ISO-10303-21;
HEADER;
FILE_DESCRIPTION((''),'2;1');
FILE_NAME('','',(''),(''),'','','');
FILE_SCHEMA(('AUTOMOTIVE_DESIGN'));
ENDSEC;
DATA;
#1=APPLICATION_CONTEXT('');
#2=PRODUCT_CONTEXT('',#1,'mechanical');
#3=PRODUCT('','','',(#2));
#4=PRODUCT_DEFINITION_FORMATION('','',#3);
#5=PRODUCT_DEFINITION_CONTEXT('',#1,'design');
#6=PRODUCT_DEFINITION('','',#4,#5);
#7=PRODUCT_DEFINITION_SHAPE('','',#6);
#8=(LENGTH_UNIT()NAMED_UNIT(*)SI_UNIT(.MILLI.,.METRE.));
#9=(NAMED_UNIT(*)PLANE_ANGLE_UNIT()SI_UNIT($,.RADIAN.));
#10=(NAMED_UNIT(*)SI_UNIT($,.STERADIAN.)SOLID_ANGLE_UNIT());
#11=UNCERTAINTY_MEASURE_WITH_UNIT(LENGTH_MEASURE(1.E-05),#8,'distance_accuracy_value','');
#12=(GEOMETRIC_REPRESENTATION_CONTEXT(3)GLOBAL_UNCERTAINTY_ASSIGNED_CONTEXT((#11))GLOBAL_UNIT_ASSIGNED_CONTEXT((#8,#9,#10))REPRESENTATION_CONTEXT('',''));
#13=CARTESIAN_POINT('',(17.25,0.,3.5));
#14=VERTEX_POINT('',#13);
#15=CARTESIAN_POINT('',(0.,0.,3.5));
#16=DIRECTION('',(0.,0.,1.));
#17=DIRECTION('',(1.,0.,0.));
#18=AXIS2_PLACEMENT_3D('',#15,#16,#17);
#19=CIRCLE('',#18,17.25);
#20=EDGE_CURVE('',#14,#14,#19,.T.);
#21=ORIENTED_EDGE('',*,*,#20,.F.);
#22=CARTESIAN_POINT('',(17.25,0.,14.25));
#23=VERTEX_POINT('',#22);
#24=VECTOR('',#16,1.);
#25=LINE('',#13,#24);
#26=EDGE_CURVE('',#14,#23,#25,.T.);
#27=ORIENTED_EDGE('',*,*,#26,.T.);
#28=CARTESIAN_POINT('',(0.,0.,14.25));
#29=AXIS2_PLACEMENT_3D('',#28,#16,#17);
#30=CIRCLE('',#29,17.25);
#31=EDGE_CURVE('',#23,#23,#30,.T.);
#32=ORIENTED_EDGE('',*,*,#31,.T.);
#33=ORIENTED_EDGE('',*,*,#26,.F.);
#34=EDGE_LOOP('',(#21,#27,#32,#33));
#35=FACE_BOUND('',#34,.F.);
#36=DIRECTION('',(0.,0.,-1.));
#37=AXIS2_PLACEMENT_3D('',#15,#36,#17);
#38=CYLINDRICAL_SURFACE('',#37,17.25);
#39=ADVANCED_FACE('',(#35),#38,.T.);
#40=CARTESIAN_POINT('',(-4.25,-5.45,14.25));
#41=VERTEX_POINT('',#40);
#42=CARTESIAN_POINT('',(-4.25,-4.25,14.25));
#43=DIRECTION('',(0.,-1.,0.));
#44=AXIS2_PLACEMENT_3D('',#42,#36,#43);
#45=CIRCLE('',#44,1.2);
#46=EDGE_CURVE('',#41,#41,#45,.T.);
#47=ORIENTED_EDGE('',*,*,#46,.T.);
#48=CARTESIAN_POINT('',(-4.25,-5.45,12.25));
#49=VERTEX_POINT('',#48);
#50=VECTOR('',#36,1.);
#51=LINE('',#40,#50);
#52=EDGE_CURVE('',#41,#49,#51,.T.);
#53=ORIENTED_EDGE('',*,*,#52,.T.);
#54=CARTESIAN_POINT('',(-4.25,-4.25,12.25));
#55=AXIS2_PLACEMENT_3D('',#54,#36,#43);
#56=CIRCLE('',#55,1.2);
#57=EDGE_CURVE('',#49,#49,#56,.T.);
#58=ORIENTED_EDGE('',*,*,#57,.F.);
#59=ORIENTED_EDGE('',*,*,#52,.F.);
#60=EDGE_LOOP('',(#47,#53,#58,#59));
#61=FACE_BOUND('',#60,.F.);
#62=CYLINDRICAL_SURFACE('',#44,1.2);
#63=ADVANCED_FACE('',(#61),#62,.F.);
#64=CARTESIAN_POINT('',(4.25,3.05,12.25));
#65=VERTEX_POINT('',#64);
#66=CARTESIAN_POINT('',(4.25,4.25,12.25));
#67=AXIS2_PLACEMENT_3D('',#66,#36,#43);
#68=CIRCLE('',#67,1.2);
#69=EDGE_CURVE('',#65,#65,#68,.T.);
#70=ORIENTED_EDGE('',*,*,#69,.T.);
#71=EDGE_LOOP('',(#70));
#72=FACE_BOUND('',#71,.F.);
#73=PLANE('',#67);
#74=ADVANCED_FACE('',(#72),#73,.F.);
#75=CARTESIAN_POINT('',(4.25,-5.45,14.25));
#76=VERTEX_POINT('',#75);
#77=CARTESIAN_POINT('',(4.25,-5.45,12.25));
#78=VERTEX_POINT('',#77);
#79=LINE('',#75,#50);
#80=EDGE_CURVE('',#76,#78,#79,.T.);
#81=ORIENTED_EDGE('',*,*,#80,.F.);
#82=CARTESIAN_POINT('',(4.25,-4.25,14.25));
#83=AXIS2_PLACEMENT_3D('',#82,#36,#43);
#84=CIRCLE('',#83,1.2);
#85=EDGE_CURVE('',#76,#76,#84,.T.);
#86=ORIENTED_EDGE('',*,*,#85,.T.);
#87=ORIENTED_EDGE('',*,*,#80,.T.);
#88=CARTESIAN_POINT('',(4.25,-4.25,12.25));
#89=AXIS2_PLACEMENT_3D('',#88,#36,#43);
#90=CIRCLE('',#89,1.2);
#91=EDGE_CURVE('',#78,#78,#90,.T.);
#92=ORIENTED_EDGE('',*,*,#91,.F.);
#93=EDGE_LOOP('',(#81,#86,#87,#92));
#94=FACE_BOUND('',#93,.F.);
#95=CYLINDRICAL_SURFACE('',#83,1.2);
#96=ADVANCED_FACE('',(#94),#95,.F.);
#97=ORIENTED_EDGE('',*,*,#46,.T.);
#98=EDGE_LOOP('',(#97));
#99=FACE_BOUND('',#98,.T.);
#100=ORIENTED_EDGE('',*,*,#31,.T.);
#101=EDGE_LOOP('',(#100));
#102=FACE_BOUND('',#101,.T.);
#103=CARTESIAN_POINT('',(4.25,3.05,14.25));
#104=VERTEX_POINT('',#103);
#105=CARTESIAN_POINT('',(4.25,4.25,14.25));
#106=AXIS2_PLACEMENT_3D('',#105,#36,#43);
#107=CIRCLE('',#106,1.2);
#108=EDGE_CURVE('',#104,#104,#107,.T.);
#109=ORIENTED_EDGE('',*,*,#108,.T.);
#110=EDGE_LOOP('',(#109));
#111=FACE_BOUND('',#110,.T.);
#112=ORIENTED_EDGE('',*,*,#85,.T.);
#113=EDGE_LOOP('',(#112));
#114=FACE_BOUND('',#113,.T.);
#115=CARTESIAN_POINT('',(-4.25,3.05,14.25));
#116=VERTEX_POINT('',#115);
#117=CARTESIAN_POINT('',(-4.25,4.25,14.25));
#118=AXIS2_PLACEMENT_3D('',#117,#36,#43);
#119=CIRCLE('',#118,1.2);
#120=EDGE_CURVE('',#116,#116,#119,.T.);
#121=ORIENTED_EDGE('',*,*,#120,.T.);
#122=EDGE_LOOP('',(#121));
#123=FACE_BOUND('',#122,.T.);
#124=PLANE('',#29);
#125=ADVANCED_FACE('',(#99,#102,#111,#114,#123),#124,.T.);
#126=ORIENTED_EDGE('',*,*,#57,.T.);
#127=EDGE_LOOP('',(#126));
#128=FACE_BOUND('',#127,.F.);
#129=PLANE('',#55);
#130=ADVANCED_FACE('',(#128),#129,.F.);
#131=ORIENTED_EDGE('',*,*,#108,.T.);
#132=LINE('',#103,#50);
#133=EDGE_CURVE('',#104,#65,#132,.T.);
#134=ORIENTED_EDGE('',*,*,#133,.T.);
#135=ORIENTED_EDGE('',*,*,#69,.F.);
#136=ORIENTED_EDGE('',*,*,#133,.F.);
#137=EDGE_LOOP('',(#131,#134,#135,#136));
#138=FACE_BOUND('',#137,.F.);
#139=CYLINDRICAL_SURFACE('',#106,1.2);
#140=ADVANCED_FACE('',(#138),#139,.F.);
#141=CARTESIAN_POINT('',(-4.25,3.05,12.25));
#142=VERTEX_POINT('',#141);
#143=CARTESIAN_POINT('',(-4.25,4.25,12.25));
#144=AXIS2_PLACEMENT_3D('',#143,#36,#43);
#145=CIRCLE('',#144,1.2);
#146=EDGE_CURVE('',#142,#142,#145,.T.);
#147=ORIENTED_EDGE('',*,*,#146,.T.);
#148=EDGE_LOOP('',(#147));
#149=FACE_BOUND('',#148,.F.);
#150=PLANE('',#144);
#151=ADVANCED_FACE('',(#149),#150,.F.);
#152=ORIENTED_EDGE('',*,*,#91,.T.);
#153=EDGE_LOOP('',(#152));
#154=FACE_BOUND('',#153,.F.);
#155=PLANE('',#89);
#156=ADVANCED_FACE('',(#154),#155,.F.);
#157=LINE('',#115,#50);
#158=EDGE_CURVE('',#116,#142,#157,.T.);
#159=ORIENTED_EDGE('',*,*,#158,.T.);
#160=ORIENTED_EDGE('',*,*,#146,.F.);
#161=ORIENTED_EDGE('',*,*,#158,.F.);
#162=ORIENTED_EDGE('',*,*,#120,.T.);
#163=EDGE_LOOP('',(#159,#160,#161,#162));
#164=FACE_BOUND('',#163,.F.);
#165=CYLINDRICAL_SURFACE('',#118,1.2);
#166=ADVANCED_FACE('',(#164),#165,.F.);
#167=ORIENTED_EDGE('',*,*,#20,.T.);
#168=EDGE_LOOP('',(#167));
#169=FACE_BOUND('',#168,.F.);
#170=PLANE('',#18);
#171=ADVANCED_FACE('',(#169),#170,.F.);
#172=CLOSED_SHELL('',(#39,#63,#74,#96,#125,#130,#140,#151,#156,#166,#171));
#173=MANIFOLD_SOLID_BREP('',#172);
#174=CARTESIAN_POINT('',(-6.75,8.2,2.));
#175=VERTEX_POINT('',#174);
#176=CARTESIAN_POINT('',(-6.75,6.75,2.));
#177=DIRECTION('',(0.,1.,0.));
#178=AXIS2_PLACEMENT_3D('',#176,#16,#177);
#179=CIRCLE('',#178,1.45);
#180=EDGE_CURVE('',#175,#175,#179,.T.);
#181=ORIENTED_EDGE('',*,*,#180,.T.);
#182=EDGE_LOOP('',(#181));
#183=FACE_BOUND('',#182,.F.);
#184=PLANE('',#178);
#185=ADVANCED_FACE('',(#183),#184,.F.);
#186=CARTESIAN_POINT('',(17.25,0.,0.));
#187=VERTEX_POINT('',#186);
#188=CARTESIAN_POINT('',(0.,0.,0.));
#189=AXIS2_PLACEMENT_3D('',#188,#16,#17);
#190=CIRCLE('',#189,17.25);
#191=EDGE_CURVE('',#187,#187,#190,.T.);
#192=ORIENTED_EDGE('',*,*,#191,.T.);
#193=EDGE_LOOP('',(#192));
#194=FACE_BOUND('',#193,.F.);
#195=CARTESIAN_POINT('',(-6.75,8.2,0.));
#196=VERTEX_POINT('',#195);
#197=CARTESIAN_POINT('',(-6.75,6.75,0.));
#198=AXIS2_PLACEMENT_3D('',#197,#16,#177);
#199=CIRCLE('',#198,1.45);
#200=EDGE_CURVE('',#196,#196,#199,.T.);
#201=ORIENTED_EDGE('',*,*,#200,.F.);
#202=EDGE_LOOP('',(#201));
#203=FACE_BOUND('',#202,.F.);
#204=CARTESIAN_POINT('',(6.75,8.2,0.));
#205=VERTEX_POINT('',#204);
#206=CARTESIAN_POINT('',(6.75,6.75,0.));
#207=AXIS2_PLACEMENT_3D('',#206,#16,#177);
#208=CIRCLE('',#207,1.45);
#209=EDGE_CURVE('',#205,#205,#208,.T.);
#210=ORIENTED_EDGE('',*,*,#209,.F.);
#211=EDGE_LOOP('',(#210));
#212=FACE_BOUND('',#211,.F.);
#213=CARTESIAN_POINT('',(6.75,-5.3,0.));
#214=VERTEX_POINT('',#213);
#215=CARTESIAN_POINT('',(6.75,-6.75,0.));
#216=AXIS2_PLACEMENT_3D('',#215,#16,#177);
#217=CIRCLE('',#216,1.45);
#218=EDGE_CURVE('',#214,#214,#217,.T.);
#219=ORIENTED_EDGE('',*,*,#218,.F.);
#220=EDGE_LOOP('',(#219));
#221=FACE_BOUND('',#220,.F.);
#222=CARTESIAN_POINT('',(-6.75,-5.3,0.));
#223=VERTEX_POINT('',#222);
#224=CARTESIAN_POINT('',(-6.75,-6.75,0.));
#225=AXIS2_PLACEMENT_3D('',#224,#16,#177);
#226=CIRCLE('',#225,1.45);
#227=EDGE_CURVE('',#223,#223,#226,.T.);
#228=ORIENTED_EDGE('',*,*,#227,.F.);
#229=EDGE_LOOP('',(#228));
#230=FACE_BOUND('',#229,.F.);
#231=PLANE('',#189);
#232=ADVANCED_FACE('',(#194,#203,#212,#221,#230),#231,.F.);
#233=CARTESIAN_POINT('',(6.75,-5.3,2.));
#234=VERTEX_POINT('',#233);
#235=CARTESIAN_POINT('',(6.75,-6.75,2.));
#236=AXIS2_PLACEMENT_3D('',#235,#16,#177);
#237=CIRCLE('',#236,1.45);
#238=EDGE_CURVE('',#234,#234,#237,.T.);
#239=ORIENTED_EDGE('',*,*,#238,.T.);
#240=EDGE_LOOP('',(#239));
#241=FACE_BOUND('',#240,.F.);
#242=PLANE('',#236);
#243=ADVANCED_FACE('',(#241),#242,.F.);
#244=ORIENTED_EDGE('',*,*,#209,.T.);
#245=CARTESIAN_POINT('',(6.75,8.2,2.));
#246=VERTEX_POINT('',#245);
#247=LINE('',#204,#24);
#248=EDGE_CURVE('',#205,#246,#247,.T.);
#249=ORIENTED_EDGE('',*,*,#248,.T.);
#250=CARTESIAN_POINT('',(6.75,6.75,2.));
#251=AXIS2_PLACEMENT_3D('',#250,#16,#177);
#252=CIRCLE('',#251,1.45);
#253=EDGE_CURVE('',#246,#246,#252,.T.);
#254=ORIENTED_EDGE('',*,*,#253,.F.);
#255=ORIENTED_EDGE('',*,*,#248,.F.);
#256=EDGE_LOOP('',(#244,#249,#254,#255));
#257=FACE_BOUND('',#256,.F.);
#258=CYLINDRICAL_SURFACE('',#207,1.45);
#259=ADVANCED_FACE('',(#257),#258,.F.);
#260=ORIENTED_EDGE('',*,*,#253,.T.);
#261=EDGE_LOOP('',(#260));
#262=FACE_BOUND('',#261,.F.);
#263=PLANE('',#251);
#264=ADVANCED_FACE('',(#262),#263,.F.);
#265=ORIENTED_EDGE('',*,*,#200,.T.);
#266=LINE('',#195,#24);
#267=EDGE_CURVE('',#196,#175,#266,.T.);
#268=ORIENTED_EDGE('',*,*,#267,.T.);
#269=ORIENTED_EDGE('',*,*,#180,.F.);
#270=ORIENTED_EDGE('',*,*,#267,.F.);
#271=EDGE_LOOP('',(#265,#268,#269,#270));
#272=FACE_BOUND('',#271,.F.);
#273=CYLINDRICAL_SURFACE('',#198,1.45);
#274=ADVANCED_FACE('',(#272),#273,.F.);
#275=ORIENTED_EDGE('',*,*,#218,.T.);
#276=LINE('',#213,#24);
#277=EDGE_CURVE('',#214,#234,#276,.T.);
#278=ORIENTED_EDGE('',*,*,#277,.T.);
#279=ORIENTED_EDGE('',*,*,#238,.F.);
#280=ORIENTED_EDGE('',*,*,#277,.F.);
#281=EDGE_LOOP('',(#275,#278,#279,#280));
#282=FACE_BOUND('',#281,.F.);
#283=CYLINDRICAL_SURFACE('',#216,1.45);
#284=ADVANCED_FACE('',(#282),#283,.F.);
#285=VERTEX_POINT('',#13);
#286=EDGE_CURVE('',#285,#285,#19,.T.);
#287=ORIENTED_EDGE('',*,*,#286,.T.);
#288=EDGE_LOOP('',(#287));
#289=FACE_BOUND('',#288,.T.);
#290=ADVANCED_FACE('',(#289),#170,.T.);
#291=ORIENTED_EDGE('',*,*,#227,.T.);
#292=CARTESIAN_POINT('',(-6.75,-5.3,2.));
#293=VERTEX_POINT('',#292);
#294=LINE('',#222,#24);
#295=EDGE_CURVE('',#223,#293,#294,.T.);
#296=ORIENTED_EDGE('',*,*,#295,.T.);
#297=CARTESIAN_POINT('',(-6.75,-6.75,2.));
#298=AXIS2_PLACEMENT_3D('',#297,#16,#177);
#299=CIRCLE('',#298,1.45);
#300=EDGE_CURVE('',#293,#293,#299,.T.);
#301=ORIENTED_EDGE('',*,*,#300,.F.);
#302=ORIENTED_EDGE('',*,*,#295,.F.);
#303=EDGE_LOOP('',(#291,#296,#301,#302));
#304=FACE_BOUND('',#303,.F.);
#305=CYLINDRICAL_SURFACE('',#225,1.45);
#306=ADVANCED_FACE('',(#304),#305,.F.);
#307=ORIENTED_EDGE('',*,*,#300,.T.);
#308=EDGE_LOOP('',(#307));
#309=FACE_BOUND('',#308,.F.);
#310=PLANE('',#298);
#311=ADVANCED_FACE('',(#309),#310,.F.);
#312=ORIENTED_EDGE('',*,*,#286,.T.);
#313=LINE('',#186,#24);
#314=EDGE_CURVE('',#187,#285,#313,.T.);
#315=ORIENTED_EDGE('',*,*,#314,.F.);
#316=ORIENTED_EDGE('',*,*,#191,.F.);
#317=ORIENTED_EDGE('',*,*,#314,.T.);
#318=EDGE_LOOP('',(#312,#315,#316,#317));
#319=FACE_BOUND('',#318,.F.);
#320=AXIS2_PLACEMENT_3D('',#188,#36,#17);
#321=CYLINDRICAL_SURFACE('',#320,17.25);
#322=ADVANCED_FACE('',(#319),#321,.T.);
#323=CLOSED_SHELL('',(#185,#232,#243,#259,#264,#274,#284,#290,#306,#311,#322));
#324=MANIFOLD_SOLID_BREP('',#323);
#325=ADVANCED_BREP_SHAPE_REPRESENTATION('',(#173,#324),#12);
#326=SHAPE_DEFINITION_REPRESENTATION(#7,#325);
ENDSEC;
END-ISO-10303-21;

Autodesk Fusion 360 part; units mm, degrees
sketch "Sketch1" plane through (0, 0, 0) normal (0, 0, 1) x (1, 0, 0)
  circle A0 centre (0, 0) radius 17.25
  line L0 (6.75, -6.75) -> (-6.75, -6.75) construction
  line L1 (-6.75, -6.75) -> (-6.75, 6.75) construction
  line L2 (-6.75, 6.75) -> (6.75, 6.75) construction
  line L3 (6.75, 6.75) -> (6.75, -6.75) construction
  line L4 (6.75, -6.75) -> (-6.75, 6.75) construction
  line L5 (-6.75, -6.75) -> (6.75, 6.75) construction
  dimension "d1" = 34.5
  dimension "d2" = 13.5
extrude "Extrude1" add sketch "Sketch1" along normal blind 3.5 makes body 1
extrude "Extrude2" add 1 faces at (4.4063, 6.4628, 3.5) along direction (0, 0, 1) blind 10.75 separate body on bodies 1 makes body 2
hole "Hole1" at (-6.75, -6.75, 0) at (6.75, -6.75, 0) at (6.75, 6.75, 0) at (-6.75, 6.75, 0) direction (0, 0, 1) diameter 2.9 depth 2 tip angle 180 bodies 1
sketch "Sketch2" plane through (0, 0, 14.25) normal (0, 0, 1) x (-1, 0, 0)
  circle A0 centre (0, 0) radius 17.25
  line L0 (-4.25, 4.25) -> (4.25, 4.25) construction
  line L1 (4.25, 4.25) -> (4.25, -4.25) construction
  line L2 (4.25, -4.25) -> (-4.25, -4.25) construction
  line L3 (-4.25, -4.25) -> (-4.25, 4.25) construction
  line L4 (-4.25, 4.25) -> (4.25, -4.25) construction
  line L5 (4.25, 4.25) -> (-4.25, -4.25) construction
  dimension "d11" = 8.5
hole "Hole2" at (-4.25, 4.25, 14.25) at (4.25, 4.25, 14.25) at (4.25, -4.25, 14.25) at (-4.25, -4.25, 14.25) direction (0, 0, -1) diameter 2.4 depth 2 tip angle 180 bodies 2
copy_body "Body->Comp1" bodies 1 removing the originals makes body 3 in component "Bottom"
copy_body "Body->Comp2" bodies 2 removing the originals makes body 4 in component "Top"
component "Bottom" placed x (1, 0, 0) y (0, 1, 0) z (0, 0, 1) at (0, 0, 0)
component "Top" placed x (1, 0, 0) y (0, 1, 0) z (0, 0, 1) at (0, 0, 0)
equation "d3 = 3.5 mm"
equation "d8 = 14.25 mm - d3"
